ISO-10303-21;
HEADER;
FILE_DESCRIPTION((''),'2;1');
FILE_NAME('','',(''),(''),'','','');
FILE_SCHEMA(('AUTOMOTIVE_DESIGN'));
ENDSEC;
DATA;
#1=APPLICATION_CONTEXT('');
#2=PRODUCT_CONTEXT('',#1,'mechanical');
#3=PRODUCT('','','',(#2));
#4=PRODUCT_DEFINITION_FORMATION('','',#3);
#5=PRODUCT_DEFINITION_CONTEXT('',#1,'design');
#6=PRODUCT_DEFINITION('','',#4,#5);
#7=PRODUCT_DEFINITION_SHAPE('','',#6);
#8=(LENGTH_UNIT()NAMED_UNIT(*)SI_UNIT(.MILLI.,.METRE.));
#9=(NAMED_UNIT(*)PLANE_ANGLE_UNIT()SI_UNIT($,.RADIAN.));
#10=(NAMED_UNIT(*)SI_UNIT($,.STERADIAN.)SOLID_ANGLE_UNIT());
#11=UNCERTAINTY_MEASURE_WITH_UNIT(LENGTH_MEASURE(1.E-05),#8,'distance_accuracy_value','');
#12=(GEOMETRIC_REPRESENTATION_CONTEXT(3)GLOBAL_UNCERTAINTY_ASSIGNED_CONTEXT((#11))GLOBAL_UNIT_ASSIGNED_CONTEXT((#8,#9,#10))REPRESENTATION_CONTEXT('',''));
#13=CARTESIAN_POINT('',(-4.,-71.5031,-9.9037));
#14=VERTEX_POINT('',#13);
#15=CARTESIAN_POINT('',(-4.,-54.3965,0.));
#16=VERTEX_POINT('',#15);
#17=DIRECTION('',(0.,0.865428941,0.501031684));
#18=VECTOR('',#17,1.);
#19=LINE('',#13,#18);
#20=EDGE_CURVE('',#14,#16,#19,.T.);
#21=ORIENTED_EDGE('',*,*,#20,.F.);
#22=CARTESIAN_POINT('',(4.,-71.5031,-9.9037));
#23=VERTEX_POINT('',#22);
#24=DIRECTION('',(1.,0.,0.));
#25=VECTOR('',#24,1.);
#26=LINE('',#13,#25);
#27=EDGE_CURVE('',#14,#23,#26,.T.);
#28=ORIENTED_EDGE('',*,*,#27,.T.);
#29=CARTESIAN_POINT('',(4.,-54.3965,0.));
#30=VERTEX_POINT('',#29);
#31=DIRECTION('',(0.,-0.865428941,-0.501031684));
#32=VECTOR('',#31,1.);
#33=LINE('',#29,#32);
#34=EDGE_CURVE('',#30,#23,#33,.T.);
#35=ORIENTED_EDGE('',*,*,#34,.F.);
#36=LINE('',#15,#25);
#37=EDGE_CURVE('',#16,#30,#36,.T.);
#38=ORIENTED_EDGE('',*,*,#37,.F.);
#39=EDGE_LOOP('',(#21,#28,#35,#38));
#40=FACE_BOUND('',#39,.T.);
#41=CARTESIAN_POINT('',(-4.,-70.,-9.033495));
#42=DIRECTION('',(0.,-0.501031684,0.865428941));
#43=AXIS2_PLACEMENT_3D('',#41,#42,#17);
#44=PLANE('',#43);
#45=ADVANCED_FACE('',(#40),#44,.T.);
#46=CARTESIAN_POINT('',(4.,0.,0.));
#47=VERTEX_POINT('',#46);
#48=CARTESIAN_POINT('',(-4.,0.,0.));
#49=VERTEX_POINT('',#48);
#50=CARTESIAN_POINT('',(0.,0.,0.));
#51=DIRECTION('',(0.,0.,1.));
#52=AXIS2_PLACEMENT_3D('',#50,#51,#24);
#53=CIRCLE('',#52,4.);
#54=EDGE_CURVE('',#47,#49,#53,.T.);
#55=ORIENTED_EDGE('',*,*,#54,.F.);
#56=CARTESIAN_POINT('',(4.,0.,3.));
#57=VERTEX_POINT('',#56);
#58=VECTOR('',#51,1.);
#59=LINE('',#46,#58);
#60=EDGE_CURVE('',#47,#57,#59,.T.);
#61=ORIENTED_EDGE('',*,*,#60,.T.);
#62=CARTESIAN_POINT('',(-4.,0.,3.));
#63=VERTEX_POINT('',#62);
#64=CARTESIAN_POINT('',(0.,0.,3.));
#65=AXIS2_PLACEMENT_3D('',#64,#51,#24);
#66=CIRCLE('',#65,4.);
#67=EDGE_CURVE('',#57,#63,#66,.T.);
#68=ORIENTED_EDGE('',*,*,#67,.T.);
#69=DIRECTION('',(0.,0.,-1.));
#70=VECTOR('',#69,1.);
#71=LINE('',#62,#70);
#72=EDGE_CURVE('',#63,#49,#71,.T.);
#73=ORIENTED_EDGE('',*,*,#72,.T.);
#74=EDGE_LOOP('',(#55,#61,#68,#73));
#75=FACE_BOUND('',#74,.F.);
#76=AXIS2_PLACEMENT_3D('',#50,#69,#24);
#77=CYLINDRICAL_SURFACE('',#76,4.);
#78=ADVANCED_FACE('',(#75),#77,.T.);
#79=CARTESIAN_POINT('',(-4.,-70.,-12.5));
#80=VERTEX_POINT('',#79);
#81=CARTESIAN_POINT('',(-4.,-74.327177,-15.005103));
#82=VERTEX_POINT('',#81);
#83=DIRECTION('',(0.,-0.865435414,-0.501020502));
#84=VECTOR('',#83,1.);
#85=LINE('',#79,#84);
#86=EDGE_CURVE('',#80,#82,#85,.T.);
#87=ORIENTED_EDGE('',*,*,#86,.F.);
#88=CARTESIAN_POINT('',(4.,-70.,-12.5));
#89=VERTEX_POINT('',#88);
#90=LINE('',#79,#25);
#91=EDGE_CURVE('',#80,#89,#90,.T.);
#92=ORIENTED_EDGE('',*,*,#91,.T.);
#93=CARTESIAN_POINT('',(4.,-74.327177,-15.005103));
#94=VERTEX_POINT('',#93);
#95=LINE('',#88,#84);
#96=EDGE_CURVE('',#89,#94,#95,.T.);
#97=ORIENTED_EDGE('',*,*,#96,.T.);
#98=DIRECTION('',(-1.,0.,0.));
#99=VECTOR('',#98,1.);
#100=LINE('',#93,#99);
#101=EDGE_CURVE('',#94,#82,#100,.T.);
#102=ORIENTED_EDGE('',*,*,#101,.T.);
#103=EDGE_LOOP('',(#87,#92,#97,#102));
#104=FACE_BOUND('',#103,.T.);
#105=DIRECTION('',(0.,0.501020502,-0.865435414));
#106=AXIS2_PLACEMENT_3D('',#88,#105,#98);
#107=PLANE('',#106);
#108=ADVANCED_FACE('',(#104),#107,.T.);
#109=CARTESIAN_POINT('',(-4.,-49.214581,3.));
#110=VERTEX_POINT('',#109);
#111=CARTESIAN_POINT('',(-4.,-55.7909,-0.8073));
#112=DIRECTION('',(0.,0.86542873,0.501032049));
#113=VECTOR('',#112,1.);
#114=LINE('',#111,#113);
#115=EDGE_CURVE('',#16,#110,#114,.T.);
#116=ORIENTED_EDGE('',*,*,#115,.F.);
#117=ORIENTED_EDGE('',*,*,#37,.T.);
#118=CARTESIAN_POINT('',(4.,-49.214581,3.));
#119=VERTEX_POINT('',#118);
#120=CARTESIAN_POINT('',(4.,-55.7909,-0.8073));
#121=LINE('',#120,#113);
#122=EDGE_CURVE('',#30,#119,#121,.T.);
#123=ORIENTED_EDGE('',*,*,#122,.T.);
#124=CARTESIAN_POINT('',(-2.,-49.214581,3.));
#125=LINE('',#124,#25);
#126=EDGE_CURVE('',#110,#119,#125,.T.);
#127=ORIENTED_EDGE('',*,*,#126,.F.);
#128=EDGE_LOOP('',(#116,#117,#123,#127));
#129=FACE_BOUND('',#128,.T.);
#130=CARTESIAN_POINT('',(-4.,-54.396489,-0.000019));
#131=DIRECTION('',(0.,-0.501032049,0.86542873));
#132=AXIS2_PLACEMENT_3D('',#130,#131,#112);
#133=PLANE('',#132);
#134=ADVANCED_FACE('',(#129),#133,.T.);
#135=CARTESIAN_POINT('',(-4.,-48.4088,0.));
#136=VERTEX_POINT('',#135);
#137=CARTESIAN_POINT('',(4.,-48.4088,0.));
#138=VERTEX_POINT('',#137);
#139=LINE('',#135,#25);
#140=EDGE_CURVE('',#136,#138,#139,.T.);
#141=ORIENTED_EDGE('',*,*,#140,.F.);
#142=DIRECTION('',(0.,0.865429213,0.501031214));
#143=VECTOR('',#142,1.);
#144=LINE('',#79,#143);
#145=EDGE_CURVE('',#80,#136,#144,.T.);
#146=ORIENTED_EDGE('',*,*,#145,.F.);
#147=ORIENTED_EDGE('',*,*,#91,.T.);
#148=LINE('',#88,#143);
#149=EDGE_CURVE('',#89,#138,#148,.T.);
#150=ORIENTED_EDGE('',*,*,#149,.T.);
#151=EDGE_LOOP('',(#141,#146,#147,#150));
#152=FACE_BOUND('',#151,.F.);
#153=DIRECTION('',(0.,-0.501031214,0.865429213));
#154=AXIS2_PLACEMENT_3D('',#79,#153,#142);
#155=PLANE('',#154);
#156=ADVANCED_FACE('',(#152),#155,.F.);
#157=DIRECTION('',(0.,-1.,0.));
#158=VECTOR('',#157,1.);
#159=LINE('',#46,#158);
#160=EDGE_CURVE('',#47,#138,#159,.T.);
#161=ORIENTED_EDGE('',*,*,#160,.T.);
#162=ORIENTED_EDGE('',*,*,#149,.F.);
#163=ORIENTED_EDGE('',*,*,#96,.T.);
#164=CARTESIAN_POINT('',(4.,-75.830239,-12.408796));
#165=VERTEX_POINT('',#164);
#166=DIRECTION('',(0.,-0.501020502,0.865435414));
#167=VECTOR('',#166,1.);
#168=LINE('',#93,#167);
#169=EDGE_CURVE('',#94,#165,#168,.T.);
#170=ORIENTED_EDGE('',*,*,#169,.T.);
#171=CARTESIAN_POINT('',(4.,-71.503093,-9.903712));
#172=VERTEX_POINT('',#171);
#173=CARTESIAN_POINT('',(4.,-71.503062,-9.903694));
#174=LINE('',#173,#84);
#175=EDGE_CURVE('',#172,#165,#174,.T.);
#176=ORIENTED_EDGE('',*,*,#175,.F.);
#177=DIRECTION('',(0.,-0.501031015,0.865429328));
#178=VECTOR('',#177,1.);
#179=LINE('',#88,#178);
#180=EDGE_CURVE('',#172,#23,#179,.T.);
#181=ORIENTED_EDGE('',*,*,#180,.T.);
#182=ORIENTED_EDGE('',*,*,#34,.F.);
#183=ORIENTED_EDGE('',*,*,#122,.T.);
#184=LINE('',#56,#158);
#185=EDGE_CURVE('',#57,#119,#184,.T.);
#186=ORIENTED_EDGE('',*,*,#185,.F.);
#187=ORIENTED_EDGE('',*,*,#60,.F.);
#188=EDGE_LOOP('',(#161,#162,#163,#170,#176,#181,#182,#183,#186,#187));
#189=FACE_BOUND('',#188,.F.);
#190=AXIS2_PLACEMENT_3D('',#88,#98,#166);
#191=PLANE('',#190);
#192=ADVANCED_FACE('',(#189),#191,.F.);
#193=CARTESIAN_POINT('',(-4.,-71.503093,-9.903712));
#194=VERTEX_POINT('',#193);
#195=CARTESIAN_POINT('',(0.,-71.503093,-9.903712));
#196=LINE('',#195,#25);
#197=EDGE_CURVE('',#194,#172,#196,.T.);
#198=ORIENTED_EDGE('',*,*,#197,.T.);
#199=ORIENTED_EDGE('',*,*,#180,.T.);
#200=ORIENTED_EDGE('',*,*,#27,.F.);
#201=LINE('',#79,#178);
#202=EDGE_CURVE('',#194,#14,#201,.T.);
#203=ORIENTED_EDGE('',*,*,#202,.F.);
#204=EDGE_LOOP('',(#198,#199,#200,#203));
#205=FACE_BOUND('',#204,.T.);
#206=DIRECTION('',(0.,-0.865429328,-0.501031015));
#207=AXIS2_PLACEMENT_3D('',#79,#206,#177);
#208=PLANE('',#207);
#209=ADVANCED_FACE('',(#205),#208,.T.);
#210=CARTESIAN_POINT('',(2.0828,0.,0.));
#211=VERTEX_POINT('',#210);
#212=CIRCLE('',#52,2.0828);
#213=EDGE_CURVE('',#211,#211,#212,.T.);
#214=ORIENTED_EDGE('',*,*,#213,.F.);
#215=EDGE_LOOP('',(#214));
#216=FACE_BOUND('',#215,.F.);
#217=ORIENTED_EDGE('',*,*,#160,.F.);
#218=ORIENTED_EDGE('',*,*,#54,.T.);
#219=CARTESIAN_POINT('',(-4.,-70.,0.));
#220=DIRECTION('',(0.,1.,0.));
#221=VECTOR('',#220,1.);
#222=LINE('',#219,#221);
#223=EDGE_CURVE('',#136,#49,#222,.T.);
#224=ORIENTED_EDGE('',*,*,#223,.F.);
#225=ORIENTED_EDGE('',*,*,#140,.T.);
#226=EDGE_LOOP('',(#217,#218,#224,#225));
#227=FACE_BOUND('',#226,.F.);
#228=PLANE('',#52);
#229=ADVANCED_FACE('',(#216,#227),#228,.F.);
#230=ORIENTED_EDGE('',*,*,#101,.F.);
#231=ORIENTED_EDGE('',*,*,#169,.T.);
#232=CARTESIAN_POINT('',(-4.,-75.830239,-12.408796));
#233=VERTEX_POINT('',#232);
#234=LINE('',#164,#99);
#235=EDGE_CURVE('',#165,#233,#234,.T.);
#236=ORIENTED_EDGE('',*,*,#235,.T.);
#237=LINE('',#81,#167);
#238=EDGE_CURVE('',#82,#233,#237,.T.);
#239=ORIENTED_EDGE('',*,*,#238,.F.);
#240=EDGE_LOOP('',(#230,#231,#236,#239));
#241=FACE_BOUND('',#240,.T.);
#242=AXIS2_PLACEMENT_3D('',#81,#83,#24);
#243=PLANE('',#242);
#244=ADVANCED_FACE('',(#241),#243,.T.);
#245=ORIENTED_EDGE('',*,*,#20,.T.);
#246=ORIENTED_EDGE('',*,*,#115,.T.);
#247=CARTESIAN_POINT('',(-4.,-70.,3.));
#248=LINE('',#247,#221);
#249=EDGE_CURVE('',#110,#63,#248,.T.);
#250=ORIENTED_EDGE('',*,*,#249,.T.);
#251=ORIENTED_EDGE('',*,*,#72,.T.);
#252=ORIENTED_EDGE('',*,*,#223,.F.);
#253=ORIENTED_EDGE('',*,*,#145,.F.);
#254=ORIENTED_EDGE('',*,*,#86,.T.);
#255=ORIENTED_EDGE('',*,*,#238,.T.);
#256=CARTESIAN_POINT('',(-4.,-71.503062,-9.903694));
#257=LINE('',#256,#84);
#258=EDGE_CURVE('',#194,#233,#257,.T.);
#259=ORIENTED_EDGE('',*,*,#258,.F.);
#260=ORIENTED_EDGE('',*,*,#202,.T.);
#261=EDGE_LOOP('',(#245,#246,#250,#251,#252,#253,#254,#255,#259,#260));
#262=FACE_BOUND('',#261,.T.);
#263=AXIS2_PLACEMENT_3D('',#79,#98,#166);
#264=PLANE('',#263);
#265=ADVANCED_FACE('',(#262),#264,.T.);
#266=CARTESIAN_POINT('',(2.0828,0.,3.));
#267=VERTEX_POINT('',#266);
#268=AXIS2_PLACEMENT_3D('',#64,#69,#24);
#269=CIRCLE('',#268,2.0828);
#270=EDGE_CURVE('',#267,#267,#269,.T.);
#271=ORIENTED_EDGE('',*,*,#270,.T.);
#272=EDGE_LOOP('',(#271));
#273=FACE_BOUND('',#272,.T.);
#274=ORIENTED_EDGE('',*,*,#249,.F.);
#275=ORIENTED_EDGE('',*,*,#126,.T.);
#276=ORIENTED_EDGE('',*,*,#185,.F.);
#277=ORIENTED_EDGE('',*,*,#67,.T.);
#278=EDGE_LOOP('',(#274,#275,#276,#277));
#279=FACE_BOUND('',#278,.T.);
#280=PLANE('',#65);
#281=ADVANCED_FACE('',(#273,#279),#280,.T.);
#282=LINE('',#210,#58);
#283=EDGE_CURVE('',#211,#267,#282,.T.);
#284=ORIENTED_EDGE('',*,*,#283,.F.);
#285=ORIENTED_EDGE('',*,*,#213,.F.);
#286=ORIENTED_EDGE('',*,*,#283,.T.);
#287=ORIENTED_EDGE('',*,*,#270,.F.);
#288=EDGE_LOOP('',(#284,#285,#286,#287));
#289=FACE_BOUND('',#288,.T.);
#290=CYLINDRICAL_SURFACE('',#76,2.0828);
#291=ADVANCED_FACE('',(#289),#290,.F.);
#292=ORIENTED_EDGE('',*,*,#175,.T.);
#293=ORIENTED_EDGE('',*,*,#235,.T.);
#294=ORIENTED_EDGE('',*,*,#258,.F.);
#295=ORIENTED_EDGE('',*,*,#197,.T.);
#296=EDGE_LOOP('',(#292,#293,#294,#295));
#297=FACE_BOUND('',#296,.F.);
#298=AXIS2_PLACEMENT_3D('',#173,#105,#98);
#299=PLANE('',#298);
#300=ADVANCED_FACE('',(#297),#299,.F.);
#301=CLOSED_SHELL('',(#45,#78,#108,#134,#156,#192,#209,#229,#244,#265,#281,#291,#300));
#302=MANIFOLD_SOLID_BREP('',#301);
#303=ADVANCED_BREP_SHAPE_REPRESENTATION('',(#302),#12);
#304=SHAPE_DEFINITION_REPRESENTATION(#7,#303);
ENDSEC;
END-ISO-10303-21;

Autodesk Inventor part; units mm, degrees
ref_plane "YZ Plane" through (0, 0, 0) normal (1, 0, 0) x (0, 1, 0)
ref_plane "XZ Plane" through (0, 0, 0) normal (0, 1, 0) x (-1, 0, 0)
ref_plane "XY Plane" through (0, 0, 0) normal (0, 0, 1) x (1, 0, 0)
sketch "Sketch1" plane through (0, 0, 0) normal (0, 0, 1) x (1, 0, 0)
  circle A0 centre (0, 0) radius 2.0828
  dimension "d0" = 4.1656
sketch "Sketch2" plane through (0, 0, 0) normal (0, 0, 1) x (1, 0, 0)
  circle A0 centre (0, 0) radius 4
  dimension "d1" = 8
extrude "Extrusion1" add sketch "Sketch2" along normal blind 3
sketch "Sketch3" plane through (0, 0, 3) normal (0, 0, 1) x (1, 0, 0)
  circle A0 centre (0, 0) radius 4 projected
  line L0 (-4, 0) -> (4, 0)
  line L1 (4, 0) -> (4, -70)
  line L2 (4, -70) -> (-4, -70)
  line L3 (-4, -70) -> (-4, 0)
  dimension "d4" = 70
extrude "Extrusion2" add sketch "Sketch3" against normal blind 3 contours L1 L2 L3 A0
extrude "Extrusion3" cut sketch "Sketch1" along normal blind 5
sketch "Sketch4" plane through (-4, -70, 3) normal (-1, 0, 0) x (0, 0, 1)
  line L0 (-3, 0) -> (-3, 70) projected
  line L1 (-3, 0) -> (-15.5, 0)
  line L2 (-15.5, 0) -> (-3, 21.5912)
  line L3 (-15.5, 0) -> (-12.9037, -1.5031)
  line L4 (-12.9037, -1.5031) -> (-3, 15.6035)
  dimension "d9" = 12.5
  dimension "d10" = 3
extrude "Extrusion4" add sketch "Sketch4" against normal blind 8 contours L4 L1 L2 L0 | L4 L3 L1
sketch "Sketch5" plane through (-4, -70, 3) normal (-1, 0, 0) x (0, 0, 1)
  line L0 (-3, 15.6035) -> (-12.9037, -1.5031) projected
  line L1 (-3.8073, 14.2091) -> (2.2743, 24.7138)
  line L2 (2.2743, 24.7138) -> (2.8326, -0.03)
  line L3 (2.8326, -0.03) -> (-4.8388, -0.2031)
  line L4 (-4.8388, -0.2031) -> (-3.8073, 14.2091)
  point P0 (-3, 70)
extrude "Extrusion5" cut sketch "Sketch5" against normal blind 8
sketch "Sketch6" plane through (-4, -70, -12.5) normal (0, -0.8654, -0.501) x (1, 0, 0)
  line L0 (0, 0) -> (0, 3) projected
  line L1 (8, 0) -> (0, 0) projected
  line L2 (0, 0) -> (8, 0)
  line L3 (8, 0) -> (8, 3)
  line L4 (8, 3) -> (0, 3)
  line L5 (0, 3) -> (0, 0)
  point P0 (4, -24.2544)
extrude "Extrusion6" add sketch "Sketch6" along normal blind 5
properties part number "Thumb"
